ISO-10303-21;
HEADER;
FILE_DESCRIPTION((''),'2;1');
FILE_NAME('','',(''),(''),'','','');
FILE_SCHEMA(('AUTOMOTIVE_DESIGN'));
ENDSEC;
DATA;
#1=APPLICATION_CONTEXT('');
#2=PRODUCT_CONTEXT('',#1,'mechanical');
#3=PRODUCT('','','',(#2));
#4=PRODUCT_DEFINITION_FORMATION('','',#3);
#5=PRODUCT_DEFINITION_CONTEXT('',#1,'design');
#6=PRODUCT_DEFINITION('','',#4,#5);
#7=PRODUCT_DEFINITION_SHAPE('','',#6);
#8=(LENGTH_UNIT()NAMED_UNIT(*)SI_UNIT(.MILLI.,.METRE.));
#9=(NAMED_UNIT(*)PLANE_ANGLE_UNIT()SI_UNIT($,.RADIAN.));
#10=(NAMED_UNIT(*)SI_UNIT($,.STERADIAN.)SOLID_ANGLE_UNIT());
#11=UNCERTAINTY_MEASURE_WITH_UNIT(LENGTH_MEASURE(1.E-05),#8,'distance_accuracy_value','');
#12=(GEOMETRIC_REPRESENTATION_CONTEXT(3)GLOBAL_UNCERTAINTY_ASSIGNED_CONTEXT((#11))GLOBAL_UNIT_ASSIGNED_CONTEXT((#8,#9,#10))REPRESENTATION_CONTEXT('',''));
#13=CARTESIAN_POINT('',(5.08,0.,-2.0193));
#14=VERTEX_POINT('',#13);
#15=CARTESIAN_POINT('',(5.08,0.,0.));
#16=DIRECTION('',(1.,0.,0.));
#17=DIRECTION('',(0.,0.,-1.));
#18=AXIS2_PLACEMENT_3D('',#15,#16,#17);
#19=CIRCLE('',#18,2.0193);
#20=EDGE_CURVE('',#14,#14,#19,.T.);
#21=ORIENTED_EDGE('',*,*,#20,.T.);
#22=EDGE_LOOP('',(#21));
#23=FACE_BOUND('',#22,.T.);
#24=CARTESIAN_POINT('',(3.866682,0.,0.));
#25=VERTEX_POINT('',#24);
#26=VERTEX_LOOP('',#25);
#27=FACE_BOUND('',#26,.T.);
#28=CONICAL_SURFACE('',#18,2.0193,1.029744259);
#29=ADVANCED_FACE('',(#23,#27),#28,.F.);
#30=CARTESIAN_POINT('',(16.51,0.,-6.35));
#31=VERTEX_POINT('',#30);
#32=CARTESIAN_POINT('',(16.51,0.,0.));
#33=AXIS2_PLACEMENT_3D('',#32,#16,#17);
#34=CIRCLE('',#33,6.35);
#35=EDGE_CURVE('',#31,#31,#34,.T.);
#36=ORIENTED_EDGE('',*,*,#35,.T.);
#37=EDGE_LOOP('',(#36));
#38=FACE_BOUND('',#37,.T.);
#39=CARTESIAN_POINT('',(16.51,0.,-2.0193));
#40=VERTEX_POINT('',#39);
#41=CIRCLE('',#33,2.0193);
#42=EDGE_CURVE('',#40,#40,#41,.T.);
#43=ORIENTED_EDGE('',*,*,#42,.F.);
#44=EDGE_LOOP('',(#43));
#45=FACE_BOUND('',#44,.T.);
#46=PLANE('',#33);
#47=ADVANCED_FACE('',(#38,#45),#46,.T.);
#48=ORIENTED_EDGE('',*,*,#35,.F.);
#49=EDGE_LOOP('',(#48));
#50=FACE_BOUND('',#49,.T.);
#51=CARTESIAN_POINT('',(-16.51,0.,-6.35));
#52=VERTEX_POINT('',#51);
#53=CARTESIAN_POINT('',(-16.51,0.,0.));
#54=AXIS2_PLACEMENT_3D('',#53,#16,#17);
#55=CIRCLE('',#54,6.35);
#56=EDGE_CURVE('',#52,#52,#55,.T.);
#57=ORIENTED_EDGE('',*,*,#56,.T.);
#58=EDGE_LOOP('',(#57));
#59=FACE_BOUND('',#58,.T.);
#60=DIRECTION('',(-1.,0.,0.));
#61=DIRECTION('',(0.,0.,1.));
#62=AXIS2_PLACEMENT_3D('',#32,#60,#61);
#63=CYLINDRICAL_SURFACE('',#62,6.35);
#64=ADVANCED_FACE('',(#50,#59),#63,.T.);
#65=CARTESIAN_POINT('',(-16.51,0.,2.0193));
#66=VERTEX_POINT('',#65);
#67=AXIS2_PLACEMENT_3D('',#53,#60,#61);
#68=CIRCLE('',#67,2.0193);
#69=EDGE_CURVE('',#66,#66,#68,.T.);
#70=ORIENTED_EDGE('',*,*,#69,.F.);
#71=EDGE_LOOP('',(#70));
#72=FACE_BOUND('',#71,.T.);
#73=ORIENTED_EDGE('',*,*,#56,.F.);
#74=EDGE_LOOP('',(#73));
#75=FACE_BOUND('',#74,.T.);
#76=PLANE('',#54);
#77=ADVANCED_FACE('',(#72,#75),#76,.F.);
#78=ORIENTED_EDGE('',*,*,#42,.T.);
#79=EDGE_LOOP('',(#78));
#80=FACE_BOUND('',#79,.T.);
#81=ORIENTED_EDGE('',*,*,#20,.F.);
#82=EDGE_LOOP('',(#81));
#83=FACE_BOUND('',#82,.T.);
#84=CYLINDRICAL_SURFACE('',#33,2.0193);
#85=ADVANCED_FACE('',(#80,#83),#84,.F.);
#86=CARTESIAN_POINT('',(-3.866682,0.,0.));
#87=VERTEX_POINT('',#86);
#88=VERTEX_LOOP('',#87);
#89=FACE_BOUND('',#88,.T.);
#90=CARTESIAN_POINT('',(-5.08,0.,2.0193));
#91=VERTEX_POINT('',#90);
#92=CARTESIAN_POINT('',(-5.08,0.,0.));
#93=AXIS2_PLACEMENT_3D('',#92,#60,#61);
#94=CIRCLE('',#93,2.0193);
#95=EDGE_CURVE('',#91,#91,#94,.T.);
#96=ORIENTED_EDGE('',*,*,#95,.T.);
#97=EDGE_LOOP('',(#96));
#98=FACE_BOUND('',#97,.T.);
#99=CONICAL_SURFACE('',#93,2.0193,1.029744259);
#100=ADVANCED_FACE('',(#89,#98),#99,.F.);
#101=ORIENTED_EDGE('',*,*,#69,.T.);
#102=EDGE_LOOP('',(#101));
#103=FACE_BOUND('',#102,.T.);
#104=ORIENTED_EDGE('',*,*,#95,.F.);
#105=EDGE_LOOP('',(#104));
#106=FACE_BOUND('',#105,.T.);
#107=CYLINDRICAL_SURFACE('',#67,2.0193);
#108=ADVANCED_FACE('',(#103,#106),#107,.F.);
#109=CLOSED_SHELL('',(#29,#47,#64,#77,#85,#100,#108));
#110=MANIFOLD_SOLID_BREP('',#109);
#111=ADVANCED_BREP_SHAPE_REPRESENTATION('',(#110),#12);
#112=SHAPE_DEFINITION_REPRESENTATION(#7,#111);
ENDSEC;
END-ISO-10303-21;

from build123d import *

# Parameters (mm, degrees)
SKETCH1_R           = 6.35
BOSS_EXTRUDE1_DEPTH = 16.51


with BuildPart() as part:
    # Sketch1 → Boss-Extrude1 (new, symmetric)
    with BuildSketch(Plane(origin=(0, 0, 0), x_dir=(0, 0, -1), z_dir=(1, 0, 0))):
        Circle(SKETCH1_R)
    extrude(amount=BOSS_EXTRUDE1_DEPTH, both=True)

    # Sketch3 → Tap Drill for #10-32 Tap1 (revolve, cut)
    with BuildSketch(Plane(origin=(16.51, 0, 0), x_dir=(0, 0, -1), z_dir=(0, 1, 0))):
        Polygon((0, 0), (0, 12.643317848), (2.0193, 11.43), (2.0193, 0), align=None)
    tap_drill_for_10_32_tap1 = revolve(axis=Axis((22.86, 0, 0), (-1, 0, 0)), mode=Mode.SUBTRACT)

    # Mirror1: Tap Drill for #10-32 Tap1 across plane
    add(tap_drill_for_10_32_tap1.mirror(Plane(origin=(0, 0, 0), x_dir=(0, 0, 1), z_dir=(1, 0, 0))), mode=Mode.SUBTRACT)


solid = part.part
